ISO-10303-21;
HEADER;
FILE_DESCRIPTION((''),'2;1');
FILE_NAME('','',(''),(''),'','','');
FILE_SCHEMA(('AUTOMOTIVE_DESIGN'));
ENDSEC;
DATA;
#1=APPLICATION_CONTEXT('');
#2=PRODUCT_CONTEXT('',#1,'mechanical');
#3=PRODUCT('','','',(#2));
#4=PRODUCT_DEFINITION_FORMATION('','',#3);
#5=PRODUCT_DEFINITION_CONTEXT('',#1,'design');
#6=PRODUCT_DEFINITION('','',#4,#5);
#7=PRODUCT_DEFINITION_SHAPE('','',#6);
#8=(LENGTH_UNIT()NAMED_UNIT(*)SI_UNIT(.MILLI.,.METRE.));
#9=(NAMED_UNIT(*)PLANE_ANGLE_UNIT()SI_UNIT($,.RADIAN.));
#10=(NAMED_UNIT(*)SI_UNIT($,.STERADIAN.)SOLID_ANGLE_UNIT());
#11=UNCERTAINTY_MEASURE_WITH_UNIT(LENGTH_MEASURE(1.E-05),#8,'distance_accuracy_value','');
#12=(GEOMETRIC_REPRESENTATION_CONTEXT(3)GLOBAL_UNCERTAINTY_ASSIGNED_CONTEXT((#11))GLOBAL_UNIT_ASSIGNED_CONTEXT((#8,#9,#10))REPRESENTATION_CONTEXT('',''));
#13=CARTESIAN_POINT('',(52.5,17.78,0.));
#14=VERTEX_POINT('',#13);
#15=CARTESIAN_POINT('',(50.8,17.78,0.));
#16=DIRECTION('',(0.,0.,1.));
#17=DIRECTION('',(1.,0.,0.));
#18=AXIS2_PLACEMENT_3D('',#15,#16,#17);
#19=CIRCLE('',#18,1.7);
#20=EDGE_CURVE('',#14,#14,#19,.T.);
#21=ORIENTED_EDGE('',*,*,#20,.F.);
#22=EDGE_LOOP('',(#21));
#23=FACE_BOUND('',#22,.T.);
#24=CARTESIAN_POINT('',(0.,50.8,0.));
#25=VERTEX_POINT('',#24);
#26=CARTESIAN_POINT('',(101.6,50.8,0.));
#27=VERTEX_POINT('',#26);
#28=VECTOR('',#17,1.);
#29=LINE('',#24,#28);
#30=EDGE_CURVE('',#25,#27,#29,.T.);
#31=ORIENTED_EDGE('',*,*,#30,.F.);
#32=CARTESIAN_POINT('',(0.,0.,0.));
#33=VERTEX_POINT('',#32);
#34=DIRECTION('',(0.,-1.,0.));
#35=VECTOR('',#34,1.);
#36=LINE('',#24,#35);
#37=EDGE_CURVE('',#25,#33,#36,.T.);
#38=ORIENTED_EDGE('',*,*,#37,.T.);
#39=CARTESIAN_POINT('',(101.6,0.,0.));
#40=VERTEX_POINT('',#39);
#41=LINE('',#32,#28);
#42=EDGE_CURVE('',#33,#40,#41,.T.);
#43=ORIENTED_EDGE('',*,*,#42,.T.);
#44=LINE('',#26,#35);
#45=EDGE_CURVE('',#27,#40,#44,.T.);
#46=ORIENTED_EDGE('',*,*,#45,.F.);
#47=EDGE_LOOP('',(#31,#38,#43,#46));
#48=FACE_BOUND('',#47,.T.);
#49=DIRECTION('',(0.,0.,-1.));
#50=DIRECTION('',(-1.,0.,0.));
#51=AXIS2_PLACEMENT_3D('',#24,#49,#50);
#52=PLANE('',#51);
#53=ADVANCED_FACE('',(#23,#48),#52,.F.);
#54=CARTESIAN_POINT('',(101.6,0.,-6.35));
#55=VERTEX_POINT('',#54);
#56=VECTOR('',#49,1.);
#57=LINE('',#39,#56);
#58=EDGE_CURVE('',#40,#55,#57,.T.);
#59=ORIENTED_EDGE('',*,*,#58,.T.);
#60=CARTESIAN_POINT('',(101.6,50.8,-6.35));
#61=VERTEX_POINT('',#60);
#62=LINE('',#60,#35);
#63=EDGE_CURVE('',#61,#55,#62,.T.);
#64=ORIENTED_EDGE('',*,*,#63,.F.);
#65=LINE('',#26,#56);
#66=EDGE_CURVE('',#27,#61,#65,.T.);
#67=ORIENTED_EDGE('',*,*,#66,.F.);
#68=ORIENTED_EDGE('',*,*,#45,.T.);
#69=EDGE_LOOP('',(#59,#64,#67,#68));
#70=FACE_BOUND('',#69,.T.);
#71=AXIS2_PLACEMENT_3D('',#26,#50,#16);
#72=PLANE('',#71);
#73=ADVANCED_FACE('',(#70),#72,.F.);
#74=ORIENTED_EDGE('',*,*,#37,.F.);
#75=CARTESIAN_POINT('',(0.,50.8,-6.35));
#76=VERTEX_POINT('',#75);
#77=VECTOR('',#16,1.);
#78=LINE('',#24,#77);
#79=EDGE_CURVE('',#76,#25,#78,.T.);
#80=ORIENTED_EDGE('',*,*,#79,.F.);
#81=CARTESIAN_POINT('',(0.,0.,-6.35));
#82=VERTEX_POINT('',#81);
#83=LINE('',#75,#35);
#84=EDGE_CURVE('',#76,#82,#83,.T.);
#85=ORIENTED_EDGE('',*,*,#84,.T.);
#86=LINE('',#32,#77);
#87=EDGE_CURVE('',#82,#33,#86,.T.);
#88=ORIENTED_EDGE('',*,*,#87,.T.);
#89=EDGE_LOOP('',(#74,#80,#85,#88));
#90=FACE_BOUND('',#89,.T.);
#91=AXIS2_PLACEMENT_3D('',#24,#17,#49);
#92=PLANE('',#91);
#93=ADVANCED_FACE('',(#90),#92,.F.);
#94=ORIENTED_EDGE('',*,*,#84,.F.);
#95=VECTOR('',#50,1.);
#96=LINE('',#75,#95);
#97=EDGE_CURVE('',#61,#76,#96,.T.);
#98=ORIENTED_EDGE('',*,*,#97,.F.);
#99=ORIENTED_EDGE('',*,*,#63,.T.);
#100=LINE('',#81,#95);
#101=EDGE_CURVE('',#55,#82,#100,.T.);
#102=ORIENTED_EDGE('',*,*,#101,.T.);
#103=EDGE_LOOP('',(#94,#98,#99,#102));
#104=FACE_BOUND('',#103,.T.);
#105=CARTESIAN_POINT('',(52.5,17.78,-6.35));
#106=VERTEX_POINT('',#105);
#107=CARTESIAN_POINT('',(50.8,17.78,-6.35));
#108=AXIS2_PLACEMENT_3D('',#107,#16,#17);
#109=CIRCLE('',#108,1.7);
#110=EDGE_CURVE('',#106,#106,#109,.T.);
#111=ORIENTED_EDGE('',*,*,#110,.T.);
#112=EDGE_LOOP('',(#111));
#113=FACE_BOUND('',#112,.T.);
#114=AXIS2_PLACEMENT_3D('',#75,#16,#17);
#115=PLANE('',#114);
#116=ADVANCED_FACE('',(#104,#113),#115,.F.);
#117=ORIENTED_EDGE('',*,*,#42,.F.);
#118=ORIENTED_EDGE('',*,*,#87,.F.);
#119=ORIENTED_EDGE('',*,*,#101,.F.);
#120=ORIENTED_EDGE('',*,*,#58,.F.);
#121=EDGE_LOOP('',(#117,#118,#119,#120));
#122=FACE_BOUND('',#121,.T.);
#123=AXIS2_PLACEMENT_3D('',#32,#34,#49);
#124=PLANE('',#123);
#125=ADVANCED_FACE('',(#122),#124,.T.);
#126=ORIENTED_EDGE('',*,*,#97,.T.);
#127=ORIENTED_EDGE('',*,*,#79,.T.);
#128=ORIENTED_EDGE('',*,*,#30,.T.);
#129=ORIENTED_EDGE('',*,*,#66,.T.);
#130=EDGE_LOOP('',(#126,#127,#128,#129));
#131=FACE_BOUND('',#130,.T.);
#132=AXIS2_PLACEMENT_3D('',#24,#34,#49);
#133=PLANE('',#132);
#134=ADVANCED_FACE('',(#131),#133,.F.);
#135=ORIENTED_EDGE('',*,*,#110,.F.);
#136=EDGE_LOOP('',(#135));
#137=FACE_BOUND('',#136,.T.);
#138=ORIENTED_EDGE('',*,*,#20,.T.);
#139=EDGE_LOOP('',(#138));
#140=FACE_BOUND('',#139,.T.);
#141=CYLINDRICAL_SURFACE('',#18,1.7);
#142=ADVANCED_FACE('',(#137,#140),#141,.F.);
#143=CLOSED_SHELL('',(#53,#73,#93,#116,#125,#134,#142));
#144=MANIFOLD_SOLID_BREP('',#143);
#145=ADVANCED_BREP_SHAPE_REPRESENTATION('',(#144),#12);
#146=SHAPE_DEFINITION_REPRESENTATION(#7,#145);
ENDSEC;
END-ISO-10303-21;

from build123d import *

# Parameters (mm, degrees)
SKETCH2_W            = 101.6
SKETCH2_H            = 6.35
BOSS_EXTRUDE1_DEPTH  = 50.8
M3_CLEARANCE_HOLE1_D = 3.4


with BuildPart() as part:
    # Sketch2 → Boss-Extrude1 (new body)
    with BuildSketch(Plane(origin=(0, 0, 0), x_dir=(1, 0, 0), z_dir=(0, 1, 0))):
        with Locations((50.8, 3.175)):
            Rectangle(SKETCH2_W, SKETCH2_H)
    extrude(amount=BOSS_EXTRUDE1_DEPTH)

    # M3 Clearance Hole1 (through all)
    with Locations(Plane.XY):
        with Locations((50.8, 17.78)):
            Hole(M3_CLEARANCE_HOLE1_D / 2)


solid = part.part
